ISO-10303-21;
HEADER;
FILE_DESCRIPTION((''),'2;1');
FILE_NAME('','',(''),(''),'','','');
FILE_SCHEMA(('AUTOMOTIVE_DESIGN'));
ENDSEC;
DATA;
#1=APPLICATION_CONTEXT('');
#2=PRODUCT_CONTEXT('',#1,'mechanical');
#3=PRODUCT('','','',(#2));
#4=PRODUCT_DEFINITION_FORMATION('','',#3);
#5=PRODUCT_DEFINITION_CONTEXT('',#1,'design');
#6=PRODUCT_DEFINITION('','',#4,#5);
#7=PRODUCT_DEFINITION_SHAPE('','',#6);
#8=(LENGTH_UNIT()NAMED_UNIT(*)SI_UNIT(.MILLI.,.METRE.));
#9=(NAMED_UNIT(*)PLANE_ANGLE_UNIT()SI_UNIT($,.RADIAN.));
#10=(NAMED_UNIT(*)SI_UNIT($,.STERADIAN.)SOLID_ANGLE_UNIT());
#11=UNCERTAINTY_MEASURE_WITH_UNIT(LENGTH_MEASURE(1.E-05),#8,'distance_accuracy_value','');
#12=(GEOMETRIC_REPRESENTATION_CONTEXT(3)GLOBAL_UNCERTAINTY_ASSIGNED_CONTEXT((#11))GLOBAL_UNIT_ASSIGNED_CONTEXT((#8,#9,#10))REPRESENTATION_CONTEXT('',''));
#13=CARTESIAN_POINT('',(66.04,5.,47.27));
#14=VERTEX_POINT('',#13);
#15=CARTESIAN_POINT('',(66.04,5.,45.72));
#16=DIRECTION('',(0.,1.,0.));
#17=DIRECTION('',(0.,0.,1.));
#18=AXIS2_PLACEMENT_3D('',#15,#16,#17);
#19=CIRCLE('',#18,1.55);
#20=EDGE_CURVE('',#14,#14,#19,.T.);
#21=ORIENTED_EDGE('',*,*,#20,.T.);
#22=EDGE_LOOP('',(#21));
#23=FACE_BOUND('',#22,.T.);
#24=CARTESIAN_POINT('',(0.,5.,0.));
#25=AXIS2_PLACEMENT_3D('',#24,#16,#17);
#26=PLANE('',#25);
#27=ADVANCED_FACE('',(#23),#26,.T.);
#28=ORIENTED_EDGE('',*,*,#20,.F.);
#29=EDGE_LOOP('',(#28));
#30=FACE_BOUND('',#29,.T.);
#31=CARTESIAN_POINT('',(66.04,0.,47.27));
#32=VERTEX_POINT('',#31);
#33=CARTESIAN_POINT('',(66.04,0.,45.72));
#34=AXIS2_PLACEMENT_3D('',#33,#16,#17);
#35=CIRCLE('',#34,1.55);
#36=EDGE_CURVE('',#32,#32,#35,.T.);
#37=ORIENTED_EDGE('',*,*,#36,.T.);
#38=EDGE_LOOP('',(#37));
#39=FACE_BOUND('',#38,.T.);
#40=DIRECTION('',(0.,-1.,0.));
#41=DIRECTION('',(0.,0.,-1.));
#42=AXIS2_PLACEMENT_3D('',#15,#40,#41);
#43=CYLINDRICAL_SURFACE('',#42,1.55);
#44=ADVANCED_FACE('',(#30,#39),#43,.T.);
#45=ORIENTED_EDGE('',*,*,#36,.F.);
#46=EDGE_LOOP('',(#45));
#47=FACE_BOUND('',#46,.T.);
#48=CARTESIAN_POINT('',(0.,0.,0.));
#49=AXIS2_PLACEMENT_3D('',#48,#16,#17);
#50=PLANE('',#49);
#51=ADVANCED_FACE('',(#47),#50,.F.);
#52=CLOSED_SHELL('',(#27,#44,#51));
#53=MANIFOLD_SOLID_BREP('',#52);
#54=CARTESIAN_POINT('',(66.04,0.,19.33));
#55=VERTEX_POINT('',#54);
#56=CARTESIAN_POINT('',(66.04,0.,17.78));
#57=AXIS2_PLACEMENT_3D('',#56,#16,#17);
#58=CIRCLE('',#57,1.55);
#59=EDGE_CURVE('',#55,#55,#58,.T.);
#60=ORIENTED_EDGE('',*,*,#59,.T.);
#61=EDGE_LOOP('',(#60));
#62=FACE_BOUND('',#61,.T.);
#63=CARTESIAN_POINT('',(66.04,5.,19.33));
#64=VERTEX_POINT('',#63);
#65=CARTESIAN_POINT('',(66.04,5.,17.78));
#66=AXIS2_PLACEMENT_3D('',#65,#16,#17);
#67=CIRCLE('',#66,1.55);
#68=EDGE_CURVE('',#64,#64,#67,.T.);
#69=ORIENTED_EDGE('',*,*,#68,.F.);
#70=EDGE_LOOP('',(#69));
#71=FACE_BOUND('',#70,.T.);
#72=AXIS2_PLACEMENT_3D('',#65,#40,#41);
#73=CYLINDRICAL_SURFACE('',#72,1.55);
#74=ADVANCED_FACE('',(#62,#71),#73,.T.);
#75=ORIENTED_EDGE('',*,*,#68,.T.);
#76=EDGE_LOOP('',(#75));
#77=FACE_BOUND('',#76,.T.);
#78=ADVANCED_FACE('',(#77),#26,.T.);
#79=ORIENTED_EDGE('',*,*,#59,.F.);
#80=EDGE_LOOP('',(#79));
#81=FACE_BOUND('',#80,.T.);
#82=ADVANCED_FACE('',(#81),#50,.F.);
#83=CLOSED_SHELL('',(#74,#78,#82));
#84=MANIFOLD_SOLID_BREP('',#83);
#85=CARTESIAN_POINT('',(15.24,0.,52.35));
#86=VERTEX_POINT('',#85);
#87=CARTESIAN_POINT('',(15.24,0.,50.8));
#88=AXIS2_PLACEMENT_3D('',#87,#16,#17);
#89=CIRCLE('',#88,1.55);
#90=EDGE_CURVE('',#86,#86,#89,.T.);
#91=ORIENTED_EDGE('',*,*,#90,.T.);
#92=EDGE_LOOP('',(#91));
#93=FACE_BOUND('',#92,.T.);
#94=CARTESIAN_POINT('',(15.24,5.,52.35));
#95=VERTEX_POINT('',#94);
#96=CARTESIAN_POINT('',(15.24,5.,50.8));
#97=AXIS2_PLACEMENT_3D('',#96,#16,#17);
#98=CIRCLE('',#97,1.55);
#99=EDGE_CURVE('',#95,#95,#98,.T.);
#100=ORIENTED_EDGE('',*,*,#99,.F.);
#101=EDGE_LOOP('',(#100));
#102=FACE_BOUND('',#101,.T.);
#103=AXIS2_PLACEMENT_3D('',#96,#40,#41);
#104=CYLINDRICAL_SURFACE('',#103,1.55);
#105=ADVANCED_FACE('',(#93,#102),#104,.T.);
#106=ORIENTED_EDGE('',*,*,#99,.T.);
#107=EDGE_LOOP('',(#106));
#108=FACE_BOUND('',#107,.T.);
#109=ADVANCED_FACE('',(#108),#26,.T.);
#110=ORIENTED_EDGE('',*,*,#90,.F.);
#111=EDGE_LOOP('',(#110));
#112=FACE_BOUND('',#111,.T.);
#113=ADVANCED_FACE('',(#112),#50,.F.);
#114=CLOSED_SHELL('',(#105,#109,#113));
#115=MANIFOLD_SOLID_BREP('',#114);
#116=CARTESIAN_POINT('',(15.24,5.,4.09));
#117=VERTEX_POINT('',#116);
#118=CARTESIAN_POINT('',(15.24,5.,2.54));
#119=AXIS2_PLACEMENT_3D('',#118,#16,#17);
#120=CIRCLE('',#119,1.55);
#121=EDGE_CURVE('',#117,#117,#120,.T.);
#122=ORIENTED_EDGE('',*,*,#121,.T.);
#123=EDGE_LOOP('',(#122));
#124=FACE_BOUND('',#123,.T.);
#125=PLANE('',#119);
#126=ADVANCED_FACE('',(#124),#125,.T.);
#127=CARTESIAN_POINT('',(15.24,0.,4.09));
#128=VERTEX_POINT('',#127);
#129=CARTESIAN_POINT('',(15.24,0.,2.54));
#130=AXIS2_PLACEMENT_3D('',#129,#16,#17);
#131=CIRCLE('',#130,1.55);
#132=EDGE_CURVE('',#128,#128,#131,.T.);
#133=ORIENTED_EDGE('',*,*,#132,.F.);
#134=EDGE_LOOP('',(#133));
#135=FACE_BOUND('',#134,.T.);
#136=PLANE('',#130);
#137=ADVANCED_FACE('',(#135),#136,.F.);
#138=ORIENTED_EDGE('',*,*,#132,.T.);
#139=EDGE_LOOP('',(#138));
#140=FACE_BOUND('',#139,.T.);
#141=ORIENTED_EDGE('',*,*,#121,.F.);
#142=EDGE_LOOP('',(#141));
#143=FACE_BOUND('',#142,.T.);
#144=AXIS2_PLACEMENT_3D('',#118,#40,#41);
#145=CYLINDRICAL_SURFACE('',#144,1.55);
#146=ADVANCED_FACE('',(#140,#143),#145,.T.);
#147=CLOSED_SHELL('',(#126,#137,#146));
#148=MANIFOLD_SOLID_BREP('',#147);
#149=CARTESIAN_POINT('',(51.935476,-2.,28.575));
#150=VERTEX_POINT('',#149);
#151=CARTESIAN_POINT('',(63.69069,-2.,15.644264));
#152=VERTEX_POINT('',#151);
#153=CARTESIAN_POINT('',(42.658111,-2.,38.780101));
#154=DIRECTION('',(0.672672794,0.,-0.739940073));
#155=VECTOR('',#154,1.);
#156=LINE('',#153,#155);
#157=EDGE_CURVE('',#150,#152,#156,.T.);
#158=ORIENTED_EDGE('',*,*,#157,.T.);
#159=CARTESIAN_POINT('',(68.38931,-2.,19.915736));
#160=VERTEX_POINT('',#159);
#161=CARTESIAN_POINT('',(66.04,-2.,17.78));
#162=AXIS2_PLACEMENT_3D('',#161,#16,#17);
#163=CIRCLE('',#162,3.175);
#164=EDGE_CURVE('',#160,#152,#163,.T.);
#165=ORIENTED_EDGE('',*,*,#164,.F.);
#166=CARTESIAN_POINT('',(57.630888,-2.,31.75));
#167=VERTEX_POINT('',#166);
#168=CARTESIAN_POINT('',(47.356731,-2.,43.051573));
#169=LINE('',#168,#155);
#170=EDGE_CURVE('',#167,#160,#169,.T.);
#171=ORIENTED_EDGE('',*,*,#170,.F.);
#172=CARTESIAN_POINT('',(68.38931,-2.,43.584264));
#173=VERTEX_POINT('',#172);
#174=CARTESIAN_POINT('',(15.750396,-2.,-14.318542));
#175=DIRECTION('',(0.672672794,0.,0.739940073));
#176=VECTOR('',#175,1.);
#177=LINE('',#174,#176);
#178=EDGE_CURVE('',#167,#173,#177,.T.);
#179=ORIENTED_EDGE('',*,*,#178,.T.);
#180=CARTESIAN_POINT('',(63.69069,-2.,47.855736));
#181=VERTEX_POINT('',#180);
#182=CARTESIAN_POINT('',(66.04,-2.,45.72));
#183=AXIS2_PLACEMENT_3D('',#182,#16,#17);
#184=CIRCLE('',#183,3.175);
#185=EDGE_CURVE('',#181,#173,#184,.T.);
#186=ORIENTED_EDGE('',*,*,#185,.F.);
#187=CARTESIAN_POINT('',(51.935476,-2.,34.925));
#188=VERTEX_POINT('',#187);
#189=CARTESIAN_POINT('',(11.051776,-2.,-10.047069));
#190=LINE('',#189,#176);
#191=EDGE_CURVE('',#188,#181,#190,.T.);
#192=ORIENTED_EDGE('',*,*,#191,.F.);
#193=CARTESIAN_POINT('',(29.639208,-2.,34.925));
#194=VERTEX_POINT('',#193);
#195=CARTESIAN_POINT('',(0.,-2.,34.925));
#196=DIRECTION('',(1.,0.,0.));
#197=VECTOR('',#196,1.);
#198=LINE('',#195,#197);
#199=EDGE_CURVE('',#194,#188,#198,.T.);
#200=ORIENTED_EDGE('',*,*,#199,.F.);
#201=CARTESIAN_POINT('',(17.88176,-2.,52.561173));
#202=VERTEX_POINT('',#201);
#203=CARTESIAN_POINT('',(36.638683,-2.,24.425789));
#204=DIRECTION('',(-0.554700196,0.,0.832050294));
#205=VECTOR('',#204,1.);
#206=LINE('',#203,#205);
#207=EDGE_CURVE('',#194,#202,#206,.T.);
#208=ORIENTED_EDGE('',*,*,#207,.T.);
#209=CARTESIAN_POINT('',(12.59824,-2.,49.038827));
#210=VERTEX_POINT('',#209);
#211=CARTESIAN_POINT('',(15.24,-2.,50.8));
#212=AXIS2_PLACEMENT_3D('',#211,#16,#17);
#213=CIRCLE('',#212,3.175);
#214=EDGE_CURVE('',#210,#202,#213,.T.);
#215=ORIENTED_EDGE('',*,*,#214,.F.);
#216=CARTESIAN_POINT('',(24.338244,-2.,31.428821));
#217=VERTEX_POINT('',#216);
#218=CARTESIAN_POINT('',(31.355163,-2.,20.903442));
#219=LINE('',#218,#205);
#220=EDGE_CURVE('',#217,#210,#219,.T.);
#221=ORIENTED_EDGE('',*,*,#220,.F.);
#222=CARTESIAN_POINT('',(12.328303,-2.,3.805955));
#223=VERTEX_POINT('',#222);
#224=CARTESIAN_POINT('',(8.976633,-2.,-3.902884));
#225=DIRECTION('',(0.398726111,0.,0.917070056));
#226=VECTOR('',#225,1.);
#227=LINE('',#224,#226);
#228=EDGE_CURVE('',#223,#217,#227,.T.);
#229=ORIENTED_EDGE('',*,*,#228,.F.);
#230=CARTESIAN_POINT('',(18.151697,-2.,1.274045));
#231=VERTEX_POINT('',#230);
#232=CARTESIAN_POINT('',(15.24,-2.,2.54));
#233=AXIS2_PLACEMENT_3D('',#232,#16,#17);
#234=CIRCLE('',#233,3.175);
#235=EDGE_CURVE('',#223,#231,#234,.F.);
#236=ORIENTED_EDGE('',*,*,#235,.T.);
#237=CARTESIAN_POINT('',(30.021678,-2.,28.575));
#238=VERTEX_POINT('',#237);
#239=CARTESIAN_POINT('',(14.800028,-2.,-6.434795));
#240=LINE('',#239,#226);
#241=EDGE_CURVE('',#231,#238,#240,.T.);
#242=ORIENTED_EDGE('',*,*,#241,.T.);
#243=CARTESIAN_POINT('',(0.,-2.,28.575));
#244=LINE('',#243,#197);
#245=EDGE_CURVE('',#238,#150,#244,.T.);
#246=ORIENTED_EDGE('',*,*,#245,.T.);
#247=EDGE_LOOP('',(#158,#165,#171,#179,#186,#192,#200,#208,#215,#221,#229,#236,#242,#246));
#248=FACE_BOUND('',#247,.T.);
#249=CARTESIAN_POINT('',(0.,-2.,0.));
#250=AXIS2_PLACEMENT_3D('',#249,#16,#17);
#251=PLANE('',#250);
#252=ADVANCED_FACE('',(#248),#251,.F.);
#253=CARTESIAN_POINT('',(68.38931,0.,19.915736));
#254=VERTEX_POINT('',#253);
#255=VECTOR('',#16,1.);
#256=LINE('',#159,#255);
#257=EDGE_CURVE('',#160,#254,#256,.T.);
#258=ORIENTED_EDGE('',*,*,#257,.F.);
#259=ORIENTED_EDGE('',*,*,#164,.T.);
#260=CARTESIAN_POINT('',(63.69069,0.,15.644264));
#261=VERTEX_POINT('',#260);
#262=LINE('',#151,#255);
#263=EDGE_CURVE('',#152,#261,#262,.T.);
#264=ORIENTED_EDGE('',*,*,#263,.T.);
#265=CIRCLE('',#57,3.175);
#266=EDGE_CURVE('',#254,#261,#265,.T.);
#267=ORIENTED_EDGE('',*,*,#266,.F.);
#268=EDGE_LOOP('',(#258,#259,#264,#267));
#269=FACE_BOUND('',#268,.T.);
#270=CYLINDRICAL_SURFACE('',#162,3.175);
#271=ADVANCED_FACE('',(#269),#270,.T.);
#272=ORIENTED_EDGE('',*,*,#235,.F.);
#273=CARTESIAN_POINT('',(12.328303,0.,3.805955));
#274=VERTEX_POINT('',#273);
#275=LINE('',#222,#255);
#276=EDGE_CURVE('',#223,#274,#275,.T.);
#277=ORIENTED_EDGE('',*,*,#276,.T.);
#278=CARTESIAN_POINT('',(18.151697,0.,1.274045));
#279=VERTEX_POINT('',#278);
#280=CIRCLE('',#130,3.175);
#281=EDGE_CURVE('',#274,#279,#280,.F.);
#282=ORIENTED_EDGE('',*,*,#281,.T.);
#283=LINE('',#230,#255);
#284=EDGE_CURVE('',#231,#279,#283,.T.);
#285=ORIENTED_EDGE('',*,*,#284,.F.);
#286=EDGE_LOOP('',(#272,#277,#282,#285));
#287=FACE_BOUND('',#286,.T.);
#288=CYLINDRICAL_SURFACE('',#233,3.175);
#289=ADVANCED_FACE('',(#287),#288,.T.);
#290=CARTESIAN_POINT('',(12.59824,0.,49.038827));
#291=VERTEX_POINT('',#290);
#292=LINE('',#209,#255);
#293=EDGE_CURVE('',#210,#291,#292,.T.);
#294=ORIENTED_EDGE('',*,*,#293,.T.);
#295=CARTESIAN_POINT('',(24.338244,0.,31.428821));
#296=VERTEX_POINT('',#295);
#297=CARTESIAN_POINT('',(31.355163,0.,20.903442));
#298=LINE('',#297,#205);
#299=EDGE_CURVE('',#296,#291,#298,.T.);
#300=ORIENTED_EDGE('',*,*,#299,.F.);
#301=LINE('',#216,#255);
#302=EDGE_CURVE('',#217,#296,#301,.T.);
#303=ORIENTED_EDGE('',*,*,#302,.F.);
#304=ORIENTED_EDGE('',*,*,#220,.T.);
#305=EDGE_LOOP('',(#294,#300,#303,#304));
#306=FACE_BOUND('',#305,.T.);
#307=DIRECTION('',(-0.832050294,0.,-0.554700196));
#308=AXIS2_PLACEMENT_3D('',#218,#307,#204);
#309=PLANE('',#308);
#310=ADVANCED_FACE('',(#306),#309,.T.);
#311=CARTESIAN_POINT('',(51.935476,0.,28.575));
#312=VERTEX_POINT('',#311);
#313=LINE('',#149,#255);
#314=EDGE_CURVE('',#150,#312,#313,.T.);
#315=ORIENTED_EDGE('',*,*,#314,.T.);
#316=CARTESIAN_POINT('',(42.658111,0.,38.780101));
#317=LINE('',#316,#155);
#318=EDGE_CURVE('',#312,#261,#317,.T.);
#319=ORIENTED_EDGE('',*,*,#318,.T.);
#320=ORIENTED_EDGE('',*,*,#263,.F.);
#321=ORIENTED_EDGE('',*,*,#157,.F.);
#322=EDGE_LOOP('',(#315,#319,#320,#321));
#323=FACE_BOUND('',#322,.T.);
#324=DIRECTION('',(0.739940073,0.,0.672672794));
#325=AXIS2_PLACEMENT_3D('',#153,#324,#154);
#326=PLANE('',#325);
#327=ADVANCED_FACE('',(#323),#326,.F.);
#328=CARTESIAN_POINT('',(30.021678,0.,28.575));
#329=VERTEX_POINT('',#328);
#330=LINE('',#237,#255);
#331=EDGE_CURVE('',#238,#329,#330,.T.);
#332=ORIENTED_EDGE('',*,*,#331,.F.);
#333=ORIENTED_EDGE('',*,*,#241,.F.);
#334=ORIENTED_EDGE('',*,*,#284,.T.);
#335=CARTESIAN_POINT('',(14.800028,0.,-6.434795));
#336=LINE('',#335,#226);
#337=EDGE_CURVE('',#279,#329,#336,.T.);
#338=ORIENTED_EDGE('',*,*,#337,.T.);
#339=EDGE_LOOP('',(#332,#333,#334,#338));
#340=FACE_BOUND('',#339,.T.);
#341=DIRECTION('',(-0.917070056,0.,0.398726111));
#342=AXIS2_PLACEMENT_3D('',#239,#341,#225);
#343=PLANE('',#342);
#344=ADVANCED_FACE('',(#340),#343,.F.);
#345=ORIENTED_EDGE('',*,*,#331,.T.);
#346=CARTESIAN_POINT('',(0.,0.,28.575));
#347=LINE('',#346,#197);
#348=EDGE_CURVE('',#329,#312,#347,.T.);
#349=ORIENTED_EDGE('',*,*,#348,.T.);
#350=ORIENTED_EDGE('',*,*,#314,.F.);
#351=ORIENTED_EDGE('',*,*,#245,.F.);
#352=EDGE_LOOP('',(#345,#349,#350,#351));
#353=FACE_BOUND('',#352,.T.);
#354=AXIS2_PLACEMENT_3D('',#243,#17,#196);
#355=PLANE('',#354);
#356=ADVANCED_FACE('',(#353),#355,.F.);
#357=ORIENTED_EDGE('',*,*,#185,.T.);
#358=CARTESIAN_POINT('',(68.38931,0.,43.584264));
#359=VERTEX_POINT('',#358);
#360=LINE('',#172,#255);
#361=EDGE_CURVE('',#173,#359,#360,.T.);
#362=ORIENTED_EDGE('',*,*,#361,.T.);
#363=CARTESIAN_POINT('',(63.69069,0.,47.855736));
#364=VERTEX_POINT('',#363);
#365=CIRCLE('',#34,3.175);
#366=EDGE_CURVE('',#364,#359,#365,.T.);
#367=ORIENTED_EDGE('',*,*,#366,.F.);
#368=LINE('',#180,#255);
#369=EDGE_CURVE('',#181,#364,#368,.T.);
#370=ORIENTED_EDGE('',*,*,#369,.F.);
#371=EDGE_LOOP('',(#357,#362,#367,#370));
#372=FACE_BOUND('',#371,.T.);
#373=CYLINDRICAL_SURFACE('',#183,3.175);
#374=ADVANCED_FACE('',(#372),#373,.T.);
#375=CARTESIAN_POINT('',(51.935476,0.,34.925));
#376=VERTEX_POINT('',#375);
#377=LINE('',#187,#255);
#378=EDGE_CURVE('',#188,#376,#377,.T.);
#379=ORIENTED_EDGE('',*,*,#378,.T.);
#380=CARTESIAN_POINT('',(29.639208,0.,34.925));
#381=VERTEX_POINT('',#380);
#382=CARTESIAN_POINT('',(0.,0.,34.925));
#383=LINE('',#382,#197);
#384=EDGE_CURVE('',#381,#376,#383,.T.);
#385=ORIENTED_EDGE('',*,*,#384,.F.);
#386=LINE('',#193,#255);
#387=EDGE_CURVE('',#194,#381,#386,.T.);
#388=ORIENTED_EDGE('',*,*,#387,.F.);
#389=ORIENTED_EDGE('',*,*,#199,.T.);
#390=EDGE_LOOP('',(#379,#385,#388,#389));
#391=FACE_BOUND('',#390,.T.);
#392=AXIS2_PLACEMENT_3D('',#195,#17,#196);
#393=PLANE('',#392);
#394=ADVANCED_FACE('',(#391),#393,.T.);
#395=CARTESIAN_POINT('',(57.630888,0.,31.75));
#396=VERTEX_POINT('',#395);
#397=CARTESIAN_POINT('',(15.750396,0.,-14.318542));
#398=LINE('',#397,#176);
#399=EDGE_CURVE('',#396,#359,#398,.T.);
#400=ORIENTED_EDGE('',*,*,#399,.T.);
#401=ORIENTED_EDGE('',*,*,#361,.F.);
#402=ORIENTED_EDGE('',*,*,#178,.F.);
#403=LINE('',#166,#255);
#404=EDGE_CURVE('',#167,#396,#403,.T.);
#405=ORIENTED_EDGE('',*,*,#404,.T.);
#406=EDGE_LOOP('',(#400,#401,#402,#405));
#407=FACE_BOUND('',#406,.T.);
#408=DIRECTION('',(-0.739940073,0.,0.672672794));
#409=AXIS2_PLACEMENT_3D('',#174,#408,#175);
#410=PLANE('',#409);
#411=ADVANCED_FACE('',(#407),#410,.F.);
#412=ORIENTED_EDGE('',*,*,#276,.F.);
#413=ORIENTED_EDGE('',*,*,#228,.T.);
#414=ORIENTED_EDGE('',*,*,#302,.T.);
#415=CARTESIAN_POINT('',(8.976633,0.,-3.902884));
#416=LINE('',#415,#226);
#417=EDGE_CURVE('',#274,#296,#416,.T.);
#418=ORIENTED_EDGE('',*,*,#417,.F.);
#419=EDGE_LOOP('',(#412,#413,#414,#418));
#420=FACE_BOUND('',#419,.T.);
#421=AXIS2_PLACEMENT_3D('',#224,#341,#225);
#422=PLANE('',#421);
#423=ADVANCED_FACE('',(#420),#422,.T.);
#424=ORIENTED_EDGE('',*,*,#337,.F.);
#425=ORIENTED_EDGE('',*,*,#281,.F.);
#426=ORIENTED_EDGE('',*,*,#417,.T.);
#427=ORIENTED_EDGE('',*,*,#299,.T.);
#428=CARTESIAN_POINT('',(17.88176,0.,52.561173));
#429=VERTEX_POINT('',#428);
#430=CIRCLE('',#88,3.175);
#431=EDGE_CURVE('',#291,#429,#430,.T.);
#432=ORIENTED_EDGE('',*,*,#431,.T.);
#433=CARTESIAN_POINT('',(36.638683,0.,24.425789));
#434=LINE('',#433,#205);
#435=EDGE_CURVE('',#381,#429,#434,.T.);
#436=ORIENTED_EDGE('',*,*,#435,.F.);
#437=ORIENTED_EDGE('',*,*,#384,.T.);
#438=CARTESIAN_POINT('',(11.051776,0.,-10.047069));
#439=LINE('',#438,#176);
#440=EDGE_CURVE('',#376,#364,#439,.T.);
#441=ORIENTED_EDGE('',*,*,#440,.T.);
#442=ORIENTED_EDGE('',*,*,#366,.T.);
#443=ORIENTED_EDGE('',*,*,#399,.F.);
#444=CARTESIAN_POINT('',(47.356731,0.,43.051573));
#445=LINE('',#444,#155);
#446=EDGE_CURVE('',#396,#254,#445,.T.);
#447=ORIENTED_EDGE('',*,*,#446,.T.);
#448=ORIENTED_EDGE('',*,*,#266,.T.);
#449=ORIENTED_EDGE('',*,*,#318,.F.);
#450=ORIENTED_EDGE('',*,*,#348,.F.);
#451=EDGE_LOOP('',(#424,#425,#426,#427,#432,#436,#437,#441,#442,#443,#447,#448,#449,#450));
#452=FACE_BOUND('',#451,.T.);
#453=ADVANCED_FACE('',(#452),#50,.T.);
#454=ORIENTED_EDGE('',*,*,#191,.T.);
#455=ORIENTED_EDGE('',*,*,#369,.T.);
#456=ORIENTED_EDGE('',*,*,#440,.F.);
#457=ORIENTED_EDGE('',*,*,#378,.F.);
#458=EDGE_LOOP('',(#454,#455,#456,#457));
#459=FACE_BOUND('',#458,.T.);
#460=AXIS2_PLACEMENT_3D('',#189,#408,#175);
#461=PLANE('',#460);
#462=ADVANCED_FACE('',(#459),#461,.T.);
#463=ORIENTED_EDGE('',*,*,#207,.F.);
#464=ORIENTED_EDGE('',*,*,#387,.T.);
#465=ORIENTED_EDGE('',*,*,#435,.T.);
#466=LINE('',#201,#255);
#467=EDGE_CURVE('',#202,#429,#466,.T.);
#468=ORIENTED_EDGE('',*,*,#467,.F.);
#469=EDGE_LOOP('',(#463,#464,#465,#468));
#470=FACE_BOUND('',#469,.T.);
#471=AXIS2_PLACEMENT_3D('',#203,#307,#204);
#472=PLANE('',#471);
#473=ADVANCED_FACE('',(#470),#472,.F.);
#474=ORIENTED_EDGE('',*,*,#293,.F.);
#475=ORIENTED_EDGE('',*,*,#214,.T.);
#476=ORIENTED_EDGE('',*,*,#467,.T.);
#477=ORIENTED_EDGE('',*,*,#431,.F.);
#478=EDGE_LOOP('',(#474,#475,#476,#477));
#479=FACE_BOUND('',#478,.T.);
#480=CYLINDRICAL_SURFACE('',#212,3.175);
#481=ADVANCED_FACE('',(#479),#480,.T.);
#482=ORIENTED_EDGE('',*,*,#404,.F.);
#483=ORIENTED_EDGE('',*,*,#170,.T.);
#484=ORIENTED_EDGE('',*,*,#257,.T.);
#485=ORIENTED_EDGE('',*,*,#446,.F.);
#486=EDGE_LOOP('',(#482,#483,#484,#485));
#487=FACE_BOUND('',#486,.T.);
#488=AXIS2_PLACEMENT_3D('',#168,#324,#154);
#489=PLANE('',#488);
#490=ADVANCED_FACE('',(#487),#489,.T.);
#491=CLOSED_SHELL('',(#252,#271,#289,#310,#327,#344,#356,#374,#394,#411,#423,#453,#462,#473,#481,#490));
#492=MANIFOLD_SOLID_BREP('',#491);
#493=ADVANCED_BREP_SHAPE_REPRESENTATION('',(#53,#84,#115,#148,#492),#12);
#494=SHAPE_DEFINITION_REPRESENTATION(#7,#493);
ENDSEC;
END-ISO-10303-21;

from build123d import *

# Parameters (mm, degrees)
SKETCH1_R             = 1.55
BOSS_EXTRUDE1_DEPTH   = 5
BOSS_EXTRUDE1_2_DEPTH = 5
BOSS_EXTRUDE1_3_DEPTH = 5
BOSS_EXTRUDE1_4_DEPTH = 5
BOSS_EXTRUDE2_DEPTH   = 2


with BuildPart() as part:
    # Sketch1 → Boss-Extrude1 (new body)
    with BuildSketch(Plane(origin=(0, 0, 0), x_dir=(1, 0, 0), z_dir=(0, 1, 0))):
        with Locations((15.24, -50.8)):
            Circle(SKETCH1_R)
    extrude(amount=BOSS_EXTRUDE1_DEPTH)


with BuildPart() as body_2:
    # Sketch1 → Boss-Extrude1 2 (new body)
    with BuildSketch(Plane(origin=(0, 0, 0), x_dir=(1, 0, 0), z_dir=(0, 1, 0))):
        with Locations((15.24, -2.54)):
            Circle(SKETCH1_R)
    extrude(amount=BOSS_EXTRUDE1_2_DEPTH)


with BuildPart() as body_3:
    # Sketch1 → Boss-Extrude1 3 (new body)
    with BuildSketch(Plane(origin=(0, 0, 0), x_dir=(1, 0, 0), z_dir=(0, 1, 0))):
        with Locations((66.04, -17.78)):
            Circle(SKETCH1_R)
    extrude(amount=BOSS_EXTRUDE1_3_DEPTH)


with BuildPart() as body_4:
    # Sketch1 → Boss-Extrude1 4 (new body)
    with BuildSketch(Plane(origin=(0, 0, 0), x_dir=(1, 0, 0), z_dir=(0, 1, 0))):
        with Locations((66.04, -45.72)):
            Circle(SKETCH1_R)
    extrude(amount=BOSS_EXTRUDE1_4_DEPTH)


with BuildPart() as body_5:
    # Sketch1<3> → Boss-Extrude2 (new body)
    with BuildSketch(Plane(origin=(0, 0, 0), x_dir=(1, 0, 0), z_dir=(0, 1, 0))):
        with BuildLine():
            ThreePointArc((18.151697429, -1.274044596), (13.974044596, 0.371697429), (12.328302571, -3.805955404))
            Line((12.328302571, -3.805955404), (24.338244174, -31.428821089))
            Line((24.338244174, -31.428821089), (12.598240315, -49.038826877))
            ThreePointArc((12.598240315, -49.038826877), (13.478826877, -53.441759685), (17.881759685, -52.561173123))
            Line((17.881759685, -52.561173123), (29.639208433, -34.925))
            Line((29.639208433, -34.925), (51.935475612, -34.925))
            Line((51.935475612, -34.925), (63.690690267, -47.855736121))
            ThreePointArc((63.690690267, -47.855736121), (68.175736121, -48.069309733), (68.389309733, -43.584263879))
            Line((68.389309733, -43.584263879), (57.630888025, -31.75))
            Line((57.630888025, -31.75), (68.389309733, -19.915736121))
            ThreePointArc((68.389309733, -19.915736121), (68.175736121, -15.430690267), (63.690690267, -15.644263879))
            Line((63.690690267, -15.644263879), (51.935475612, -28.575))
            Line((51.935475612, -28.575), (30.021678039, -28.575))
            Line((30.021678039, -28.575), (18.151697429, -1.274044596))
        make_face()
    extrude(amount=-BOSS_EXTRUDE2_DEPTH)


solid = Compound([part.part, body_2.part, body_3.part, body_4.part, body_5.part])
